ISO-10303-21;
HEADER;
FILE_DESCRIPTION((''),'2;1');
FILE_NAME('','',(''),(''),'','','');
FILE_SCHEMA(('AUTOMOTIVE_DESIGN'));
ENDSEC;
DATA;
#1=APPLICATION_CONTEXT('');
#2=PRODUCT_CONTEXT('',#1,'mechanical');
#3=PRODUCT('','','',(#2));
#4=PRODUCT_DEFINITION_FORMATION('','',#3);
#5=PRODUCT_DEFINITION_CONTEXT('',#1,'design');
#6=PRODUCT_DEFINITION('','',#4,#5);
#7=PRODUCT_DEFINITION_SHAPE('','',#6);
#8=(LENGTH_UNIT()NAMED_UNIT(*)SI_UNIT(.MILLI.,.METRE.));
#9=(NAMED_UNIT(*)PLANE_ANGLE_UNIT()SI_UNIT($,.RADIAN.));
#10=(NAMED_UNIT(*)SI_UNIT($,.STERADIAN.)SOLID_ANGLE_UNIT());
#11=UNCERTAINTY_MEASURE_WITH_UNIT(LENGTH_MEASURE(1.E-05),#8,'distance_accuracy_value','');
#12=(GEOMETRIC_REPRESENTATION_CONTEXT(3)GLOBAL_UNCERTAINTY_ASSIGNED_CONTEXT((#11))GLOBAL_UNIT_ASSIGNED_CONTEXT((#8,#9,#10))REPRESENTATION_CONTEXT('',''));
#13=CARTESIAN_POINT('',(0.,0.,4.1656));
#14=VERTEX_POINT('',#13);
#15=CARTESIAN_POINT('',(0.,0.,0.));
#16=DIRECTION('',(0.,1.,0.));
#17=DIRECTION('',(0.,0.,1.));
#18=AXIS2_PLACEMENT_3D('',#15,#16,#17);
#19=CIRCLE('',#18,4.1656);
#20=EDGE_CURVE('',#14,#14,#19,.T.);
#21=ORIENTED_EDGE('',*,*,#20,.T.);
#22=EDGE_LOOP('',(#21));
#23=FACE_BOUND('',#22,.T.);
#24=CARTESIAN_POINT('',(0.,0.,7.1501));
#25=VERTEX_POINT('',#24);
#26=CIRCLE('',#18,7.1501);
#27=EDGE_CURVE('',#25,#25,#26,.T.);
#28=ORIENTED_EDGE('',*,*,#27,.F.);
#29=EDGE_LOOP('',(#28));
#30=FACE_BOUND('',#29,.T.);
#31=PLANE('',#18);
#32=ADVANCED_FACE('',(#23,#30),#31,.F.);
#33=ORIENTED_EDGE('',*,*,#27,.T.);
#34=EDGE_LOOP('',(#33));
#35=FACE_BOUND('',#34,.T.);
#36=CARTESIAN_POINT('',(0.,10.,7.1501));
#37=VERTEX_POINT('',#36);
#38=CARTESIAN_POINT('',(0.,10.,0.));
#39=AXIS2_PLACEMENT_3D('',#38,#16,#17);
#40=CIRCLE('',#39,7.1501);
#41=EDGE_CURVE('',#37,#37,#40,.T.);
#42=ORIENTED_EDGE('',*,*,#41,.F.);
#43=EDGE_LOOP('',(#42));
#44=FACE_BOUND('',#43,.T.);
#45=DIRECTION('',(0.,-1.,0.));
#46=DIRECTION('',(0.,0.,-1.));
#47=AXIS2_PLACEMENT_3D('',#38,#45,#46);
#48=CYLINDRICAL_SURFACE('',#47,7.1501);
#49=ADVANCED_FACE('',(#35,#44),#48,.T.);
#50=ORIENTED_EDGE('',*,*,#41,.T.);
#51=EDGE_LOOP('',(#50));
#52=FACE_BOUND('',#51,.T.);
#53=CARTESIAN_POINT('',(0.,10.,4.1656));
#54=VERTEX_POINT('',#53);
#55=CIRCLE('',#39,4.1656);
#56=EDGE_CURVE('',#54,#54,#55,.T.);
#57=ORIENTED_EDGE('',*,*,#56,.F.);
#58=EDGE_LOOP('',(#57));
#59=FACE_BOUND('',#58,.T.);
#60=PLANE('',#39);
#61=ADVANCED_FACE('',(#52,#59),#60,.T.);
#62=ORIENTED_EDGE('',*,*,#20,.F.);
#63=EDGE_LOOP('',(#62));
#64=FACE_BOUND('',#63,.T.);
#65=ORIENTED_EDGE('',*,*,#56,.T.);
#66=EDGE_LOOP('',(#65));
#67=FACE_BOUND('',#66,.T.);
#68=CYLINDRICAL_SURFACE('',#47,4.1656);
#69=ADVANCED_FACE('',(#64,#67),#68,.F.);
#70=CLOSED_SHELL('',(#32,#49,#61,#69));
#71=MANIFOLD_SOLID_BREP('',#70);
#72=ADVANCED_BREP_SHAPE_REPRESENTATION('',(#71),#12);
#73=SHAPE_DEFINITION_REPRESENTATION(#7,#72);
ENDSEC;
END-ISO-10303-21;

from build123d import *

# Parameters (mm, degrees)
PROFILE_SKETCH_R      = 7.1501
PROFILE_SKETCH_R_2    = 4.1656
PROFILE_EXTRUDE_DEPTH = 10


with BuildPart() as part:
    # Profile Sketch → Profile Extrude (new body)
    with BuildSketch(Plane(origin=(0, 0, 0), x_dir=(1, 0, 0), z_dir=(0, 1, 0))):
        Circle(PROFILE_SKETCH_R)
        Circle(PROFILE_SKETCH_R_2, mode=Mode.SUBTRACT)
    extrude(amount=PROFILE_EXTRUDE_DEPTH)


solid = part.part
